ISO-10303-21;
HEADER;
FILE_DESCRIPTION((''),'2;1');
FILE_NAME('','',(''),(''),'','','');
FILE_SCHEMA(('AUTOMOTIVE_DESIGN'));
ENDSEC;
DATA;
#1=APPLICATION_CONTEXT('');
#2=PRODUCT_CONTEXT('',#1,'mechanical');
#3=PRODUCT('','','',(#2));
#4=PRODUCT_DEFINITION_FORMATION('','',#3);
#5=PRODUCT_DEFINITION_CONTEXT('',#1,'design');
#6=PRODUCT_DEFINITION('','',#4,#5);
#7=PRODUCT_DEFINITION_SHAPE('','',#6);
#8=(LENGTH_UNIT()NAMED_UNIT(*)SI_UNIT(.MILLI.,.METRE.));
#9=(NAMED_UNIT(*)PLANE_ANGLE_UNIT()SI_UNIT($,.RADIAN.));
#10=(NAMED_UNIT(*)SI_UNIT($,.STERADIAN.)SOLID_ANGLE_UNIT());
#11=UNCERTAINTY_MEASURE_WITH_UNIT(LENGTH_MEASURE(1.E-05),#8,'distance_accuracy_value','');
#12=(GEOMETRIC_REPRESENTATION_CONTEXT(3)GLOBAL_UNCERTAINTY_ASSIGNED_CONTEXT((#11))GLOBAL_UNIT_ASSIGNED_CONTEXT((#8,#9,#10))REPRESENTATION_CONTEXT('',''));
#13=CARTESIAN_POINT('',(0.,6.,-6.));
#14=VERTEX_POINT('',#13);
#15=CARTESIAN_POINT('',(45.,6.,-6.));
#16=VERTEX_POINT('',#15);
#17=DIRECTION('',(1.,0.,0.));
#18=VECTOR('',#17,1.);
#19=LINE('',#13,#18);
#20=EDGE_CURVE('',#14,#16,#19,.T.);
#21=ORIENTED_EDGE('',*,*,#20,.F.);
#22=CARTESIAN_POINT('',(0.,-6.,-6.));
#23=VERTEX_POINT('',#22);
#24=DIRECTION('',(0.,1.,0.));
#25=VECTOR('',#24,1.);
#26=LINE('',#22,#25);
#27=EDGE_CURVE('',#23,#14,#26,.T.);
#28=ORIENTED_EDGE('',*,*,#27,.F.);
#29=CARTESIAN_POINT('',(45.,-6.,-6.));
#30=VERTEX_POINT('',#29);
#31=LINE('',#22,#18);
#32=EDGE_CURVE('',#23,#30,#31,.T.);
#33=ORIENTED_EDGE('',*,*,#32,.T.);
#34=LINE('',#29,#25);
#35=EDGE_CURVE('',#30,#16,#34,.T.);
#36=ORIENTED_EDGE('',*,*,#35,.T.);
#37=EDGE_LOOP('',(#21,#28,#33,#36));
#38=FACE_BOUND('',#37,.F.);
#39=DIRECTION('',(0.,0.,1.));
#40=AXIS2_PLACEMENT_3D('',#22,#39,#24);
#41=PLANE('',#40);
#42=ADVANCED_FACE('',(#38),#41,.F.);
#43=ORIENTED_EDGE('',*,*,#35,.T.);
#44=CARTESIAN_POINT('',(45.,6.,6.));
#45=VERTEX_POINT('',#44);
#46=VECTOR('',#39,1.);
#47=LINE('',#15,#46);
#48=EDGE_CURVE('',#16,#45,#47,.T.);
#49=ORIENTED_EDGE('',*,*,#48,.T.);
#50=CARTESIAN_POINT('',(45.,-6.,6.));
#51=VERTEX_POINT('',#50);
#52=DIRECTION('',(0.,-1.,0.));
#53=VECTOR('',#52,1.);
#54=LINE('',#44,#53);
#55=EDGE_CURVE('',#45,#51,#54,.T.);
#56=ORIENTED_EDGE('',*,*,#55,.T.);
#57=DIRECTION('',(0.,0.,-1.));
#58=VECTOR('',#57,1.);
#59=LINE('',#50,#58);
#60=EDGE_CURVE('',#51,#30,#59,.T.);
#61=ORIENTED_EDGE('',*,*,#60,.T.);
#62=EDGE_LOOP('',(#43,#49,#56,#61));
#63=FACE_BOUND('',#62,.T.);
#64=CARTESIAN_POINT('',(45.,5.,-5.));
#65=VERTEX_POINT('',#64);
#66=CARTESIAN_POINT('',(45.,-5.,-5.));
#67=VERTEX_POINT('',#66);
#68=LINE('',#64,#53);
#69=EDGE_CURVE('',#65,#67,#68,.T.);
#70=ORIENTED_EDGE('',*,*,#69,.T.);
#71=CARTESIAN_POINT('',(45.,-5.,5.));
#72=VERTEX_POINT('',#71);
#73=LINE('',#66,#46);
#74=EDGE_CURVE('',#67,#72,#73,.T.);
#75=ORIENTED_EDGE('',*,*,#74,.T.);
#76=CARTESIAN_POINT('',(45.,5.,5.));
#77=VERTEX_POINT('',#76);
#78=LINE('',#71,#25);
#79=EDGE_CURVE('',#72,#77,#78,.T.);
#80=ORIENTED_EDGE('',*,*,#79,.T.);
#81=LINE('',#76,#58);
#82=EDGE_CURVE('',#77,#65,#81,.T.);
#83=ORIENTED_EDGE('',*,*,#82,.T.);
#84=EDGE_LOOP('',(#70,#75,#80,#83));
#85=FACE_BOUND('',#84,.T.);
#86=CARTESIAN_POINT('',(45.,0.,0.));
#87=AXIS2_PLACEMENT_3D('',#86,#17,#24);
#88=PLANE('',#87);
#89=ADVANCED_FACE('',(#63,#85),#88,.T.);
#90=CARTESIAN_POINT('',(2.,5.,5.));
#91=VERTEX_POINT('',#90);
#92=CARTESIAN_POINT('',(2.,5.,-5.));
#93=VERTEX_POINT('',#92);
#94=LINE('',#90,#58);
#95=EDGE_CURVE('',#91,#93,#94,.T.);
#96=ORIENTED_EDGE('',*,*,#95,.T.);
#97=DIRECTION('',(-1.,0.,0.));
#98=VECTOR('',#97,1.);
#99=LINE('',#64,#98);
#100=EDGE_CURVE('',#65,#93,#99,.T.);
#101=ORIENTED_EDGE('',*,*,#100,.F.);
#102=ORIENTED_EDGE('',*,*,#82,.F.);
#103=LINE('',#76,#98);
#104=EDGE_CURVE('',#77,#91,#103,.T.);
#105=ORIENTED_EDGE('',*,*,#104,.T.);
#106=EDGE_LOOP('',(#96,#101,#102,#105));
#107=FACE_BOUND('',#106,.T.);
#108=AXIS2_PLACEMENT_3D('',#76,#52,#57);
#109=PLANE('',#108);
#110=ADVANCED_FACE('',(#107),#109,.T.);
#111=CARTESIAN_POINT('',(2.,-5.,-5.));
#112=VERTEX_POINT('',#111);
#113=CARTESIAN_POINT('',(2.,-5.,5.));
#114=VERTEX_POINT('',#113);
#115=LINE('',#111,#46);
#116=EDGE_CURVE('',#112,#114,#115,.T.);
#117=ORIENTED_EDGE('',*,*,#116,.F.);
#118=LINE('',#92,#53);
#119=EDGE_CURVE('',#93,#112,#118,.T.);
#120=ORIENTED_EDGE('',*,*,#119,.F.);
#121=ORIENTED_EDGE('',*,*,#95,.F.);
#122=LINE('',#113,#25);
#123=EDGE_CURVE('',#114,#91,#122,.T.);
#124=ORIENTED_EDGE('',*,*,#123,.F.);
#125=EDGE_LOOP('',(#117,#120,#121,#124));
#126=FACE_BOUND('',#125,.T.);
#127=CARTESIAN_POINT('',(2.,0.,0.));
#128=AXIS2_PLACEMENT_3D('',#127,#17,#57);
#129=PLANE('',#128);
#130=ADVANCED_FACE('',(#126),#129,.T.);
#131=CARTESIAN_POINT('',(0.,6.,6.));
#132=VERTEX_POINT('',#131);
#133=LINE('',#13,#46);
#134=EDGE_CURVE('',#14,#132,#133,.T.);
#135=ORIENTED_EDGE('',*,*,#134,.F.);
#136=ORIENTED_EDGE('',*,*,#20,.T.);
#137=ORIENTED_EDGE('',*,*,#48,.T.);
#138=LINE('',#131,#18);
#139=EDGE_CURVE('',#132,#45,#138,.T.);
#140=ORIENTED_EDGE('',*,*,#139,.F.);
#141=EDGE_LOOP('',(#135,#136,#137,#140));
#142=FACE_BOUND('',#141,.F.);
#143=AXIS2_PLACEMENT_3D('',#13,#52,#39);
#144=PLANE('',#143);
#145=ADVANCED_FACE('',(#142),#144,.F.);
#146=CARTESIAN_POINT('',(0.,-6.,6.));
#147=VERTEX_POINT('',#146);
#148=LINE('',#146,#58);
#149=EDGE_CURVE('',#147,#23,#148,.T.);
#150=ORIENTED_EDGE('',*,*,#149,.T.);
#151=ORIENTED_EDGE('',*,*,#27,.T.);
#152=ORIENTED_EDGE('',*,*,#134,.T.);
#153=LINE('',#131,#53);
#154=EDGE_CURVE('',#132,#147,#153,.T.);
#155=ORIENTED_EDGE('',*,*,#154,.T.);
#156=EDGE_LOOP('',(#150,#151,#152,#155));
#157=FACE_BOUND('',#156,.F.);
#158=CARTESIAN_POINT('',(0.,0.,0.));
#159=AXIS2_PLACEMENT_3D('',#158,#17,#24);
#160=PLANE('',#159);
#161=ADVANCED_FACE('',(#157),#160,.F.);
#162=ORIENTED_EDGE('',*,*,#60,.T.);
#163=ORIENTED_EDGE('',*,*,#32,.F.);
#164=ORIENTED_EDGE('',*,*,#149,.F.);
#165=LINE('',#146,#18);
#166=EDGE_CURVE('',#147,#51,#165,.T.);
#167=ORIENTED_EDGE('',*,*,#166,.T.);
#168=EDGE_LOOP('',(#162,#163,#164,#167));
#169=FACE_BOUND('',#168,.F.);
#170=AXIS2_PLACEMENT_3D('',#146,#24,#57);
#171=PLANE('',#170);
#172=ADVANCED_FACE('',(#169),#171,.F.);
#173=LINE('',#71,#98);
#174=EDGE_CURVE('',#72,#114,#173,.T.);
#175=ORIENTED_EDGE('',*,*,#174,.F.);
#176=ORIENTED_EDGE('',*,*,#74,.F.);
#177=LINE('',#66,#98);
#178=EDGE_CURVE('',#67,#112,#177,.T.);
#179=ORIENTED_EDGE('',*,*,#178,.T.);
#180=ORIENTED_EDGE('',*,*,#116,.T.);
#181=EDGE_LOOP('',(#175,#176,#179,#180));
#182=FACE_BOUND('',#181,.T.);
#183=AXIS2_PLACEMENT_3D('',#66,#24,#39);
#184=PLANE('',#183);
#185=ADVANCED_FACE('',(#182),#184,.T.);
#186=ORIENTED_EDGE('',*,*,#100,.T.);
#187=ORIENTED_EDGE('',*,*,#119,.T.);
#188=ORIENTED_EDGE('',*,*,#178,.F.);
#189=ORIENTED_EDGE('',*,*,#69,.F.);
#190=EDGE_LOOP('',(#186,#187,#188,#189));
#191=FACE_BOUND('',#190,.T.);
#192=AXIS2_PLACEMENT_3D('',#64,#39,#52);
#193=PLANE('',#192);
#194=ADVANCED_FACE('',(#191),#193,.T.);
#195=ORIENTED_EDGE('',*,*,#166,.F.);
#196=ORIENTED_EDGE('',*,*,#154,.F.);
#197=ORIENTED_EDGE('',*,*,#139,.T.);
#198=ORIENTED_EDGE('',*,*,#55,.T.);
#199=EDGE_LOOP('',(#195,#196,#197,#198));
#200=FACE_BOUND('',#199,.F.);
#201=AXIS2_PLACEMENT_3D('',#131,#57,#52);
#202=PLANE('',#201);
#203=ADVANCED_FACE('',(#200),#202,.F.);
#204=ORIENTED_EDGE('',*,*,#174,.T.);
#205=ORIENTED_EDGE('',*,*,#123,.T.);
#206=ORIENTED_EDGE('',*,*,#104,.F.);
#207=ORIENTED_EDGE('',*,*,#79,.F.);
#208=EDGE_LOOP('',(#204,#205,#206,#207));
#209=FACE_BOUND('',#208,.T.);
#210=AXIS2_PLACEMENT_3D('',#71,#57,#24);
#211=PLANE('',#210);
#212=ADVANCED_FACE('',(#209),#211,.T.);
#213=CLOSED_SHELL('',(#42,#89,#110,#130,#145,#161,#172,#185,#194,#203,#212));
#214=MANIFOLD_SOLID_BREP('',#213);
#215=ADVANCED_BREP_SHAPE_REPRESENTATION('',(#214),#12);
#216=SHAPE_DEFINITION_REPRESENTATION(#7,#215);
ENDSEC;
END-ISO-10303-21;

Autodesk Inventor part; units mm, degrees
ref_plane "YZ Plane" through (0, 0, 0) normal (1, 0, 0) x (0, 1, 0)
ref_plane "XZ Plane" through (0, 0, 0) normal (0, 1, 0) x (-1, 0, 0)
ref_plane "XY Plane" through (0, 0, 0) normal (0, 0, 1) x (1, 0, 0)
sketch "Sketch1" plane through (0, 0, 0) normal (1, 0, 0) x (0, 1, 0)
  line L0 (-6, -6) -> (6, -6)
  line L1 (6, -6) -> (6, 6)
  line L2 (6, 6) -> (-6, 6)
  line L3 (-6, 6) -> (-6, -6)
  line L4 (-6, -6) -> (6, 6) construction
  line L5 (6, -6) -> (-6, 6) construction
  point P0 (0, 0)
  dimension "d0" = 12
  dimension "d1" = 12
extrude "Extrusion1" add sketch "Sketch1" along normal blind 45
sketch "Sketch2" plane through (45, 0, 0) normal (1, 0, 0) x (0, 0, -1)
  line L0 (5, -5) -> (-5, -5)
  line L1 (-5, -5) -> (-5, 5)
  line L2 (-5, 5) -> (5, 5)
  line L3 (5, 5) -> (5, -5)
  line L4 (5, -5) -> (-5, 5) construction
  line L5 (-5, -5) -> (5, 5) construction
  point P0 (0, 0)
  dimension "d4" = 10
  dimension "d5" = 10
extrude "Extrusion2" cut sketch "Sketch2" against normal blind 43
properties part number "Cuvette" material "Glass"
